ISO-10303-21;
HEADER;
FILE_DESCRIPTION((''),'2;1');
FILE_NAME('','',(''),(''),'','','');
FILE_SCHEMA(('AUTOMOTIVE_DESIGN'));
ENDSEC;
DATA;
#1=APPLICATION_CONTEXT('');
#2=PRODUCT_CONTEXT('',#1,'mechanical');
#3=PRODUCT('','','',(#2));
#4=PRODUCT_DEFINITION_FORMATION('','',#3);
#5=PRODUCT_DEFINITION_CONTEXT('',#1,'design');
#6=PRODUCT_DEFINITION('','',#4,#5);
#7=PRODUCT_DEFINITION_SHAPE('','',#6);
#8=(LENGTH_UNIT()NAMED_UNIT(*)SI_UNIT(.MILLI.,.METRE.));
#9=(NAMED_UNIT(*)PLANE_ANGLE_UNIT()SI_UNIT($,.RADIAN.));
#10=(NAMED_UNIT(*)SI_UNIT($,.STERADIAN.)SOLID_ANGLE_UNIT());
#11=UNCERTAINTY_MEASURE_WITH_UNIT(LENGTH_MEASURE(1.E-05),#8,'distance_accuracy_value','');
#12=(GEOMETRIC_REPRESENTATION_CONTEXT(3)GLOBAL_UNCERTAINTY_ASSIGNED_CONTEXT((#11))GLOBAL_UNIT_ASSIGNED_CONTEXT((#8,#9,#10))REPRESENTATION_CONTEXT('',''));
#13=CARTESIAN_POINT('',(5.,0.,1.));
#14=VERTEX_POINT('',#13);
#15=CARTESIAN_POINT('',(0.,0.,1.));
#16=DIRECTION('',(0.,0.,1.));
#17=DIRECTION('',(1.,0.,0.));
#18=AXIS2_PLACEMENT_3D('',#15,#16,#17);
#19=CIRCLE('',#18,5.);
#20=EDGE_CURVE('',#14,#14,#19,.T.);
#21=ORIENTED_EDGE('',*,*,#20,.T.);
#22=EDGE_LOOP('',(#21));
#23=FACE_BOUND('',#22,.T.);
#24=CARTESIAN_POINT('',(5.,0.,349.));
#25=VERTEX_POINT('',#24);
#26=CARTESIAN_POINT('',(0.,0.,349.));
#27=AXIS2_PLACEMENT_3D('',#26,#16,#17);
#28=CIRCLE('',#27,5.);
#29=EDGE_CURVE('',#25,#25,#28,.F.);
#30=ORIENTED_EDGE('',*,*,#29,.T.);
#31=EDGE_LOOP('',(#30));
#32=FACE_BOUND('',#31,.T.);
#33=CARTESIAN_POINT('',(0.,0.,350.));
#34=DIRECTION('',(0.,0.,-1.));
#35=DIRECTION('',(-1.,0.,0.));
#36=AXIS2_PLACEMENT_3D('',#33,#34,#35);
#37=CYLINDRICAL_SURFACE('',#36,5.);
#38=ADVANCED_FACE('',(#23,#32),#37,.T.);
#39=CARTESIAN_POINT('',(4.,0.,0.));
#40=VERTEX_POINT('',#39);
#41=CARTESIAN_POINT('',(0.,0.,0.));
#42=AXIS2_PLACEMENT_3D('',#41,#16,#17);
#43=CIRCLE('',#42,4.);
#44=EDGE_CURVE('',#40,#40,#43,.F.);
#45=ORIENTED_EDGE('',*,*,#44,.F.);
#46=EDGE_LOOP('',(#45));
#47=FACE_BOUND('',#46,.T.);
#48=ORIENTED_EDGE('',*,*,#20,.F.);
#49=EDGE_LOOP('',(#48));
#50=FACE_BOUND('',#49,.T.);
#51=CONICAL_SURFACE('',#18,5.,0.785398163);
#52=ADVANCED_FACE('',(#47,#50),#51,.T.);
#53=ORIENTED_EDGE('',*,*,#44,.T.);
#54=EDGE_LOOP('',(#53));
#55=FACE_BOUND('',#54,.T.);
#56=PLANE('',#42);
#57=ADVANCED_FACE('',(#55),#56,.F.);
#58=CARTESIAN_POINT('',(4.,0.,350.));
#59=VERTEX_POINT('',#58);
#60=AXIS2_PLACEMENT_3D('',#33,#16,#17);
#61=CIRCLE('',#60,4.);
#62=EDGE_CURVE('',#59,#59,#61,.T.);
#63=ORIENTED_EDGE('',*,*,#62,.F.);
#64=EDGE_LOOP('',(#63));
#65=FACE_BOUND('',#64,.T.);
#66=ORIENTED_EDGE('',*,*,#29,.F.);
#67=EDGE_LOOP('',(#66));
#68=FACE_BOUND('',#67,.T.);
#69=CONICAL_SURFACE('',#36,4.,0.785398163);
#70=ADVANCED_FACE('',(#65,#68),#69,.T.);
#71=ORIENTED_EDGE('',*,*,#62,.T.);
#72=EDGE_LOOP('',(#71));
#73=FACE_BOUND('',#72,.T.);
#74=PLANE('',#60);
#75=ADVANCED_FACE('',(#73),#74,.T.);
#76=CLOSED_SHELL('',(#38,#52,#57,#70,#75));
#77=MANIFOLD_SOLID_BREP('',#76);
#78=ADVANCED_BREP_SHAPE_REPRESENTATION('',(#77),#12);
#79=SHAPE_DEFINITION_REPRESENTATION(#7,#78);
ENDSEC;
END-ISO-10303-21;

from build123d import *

# Parameters (mm, degrees)
SCHIZZO1_R                   = 5
ESTRUSIONE_ESTRUSIONE1_DEPTH = 350
SMUSSO1_SIZE                 = 1


with BuildPart() as part:
    # Schizzo1 → Estrusione-Estrusione1 (new body)
    with BuildSketch(Plane.XY):
        Circle(SCHIZZO1_R)
    extrude(amount=ESTRUSIONE_ESTRUSIONE1_DEPTH)

    # Smusso1
    smusso1_edges = [part.edges().sort_by_distance(p)[0] for p in [
        (-5, 0, 0),
        (-5, 0, 350),
    ]]
    chamfer(smusso1_edges, length=SMUSSO1_SIZE)


solid = part.part
